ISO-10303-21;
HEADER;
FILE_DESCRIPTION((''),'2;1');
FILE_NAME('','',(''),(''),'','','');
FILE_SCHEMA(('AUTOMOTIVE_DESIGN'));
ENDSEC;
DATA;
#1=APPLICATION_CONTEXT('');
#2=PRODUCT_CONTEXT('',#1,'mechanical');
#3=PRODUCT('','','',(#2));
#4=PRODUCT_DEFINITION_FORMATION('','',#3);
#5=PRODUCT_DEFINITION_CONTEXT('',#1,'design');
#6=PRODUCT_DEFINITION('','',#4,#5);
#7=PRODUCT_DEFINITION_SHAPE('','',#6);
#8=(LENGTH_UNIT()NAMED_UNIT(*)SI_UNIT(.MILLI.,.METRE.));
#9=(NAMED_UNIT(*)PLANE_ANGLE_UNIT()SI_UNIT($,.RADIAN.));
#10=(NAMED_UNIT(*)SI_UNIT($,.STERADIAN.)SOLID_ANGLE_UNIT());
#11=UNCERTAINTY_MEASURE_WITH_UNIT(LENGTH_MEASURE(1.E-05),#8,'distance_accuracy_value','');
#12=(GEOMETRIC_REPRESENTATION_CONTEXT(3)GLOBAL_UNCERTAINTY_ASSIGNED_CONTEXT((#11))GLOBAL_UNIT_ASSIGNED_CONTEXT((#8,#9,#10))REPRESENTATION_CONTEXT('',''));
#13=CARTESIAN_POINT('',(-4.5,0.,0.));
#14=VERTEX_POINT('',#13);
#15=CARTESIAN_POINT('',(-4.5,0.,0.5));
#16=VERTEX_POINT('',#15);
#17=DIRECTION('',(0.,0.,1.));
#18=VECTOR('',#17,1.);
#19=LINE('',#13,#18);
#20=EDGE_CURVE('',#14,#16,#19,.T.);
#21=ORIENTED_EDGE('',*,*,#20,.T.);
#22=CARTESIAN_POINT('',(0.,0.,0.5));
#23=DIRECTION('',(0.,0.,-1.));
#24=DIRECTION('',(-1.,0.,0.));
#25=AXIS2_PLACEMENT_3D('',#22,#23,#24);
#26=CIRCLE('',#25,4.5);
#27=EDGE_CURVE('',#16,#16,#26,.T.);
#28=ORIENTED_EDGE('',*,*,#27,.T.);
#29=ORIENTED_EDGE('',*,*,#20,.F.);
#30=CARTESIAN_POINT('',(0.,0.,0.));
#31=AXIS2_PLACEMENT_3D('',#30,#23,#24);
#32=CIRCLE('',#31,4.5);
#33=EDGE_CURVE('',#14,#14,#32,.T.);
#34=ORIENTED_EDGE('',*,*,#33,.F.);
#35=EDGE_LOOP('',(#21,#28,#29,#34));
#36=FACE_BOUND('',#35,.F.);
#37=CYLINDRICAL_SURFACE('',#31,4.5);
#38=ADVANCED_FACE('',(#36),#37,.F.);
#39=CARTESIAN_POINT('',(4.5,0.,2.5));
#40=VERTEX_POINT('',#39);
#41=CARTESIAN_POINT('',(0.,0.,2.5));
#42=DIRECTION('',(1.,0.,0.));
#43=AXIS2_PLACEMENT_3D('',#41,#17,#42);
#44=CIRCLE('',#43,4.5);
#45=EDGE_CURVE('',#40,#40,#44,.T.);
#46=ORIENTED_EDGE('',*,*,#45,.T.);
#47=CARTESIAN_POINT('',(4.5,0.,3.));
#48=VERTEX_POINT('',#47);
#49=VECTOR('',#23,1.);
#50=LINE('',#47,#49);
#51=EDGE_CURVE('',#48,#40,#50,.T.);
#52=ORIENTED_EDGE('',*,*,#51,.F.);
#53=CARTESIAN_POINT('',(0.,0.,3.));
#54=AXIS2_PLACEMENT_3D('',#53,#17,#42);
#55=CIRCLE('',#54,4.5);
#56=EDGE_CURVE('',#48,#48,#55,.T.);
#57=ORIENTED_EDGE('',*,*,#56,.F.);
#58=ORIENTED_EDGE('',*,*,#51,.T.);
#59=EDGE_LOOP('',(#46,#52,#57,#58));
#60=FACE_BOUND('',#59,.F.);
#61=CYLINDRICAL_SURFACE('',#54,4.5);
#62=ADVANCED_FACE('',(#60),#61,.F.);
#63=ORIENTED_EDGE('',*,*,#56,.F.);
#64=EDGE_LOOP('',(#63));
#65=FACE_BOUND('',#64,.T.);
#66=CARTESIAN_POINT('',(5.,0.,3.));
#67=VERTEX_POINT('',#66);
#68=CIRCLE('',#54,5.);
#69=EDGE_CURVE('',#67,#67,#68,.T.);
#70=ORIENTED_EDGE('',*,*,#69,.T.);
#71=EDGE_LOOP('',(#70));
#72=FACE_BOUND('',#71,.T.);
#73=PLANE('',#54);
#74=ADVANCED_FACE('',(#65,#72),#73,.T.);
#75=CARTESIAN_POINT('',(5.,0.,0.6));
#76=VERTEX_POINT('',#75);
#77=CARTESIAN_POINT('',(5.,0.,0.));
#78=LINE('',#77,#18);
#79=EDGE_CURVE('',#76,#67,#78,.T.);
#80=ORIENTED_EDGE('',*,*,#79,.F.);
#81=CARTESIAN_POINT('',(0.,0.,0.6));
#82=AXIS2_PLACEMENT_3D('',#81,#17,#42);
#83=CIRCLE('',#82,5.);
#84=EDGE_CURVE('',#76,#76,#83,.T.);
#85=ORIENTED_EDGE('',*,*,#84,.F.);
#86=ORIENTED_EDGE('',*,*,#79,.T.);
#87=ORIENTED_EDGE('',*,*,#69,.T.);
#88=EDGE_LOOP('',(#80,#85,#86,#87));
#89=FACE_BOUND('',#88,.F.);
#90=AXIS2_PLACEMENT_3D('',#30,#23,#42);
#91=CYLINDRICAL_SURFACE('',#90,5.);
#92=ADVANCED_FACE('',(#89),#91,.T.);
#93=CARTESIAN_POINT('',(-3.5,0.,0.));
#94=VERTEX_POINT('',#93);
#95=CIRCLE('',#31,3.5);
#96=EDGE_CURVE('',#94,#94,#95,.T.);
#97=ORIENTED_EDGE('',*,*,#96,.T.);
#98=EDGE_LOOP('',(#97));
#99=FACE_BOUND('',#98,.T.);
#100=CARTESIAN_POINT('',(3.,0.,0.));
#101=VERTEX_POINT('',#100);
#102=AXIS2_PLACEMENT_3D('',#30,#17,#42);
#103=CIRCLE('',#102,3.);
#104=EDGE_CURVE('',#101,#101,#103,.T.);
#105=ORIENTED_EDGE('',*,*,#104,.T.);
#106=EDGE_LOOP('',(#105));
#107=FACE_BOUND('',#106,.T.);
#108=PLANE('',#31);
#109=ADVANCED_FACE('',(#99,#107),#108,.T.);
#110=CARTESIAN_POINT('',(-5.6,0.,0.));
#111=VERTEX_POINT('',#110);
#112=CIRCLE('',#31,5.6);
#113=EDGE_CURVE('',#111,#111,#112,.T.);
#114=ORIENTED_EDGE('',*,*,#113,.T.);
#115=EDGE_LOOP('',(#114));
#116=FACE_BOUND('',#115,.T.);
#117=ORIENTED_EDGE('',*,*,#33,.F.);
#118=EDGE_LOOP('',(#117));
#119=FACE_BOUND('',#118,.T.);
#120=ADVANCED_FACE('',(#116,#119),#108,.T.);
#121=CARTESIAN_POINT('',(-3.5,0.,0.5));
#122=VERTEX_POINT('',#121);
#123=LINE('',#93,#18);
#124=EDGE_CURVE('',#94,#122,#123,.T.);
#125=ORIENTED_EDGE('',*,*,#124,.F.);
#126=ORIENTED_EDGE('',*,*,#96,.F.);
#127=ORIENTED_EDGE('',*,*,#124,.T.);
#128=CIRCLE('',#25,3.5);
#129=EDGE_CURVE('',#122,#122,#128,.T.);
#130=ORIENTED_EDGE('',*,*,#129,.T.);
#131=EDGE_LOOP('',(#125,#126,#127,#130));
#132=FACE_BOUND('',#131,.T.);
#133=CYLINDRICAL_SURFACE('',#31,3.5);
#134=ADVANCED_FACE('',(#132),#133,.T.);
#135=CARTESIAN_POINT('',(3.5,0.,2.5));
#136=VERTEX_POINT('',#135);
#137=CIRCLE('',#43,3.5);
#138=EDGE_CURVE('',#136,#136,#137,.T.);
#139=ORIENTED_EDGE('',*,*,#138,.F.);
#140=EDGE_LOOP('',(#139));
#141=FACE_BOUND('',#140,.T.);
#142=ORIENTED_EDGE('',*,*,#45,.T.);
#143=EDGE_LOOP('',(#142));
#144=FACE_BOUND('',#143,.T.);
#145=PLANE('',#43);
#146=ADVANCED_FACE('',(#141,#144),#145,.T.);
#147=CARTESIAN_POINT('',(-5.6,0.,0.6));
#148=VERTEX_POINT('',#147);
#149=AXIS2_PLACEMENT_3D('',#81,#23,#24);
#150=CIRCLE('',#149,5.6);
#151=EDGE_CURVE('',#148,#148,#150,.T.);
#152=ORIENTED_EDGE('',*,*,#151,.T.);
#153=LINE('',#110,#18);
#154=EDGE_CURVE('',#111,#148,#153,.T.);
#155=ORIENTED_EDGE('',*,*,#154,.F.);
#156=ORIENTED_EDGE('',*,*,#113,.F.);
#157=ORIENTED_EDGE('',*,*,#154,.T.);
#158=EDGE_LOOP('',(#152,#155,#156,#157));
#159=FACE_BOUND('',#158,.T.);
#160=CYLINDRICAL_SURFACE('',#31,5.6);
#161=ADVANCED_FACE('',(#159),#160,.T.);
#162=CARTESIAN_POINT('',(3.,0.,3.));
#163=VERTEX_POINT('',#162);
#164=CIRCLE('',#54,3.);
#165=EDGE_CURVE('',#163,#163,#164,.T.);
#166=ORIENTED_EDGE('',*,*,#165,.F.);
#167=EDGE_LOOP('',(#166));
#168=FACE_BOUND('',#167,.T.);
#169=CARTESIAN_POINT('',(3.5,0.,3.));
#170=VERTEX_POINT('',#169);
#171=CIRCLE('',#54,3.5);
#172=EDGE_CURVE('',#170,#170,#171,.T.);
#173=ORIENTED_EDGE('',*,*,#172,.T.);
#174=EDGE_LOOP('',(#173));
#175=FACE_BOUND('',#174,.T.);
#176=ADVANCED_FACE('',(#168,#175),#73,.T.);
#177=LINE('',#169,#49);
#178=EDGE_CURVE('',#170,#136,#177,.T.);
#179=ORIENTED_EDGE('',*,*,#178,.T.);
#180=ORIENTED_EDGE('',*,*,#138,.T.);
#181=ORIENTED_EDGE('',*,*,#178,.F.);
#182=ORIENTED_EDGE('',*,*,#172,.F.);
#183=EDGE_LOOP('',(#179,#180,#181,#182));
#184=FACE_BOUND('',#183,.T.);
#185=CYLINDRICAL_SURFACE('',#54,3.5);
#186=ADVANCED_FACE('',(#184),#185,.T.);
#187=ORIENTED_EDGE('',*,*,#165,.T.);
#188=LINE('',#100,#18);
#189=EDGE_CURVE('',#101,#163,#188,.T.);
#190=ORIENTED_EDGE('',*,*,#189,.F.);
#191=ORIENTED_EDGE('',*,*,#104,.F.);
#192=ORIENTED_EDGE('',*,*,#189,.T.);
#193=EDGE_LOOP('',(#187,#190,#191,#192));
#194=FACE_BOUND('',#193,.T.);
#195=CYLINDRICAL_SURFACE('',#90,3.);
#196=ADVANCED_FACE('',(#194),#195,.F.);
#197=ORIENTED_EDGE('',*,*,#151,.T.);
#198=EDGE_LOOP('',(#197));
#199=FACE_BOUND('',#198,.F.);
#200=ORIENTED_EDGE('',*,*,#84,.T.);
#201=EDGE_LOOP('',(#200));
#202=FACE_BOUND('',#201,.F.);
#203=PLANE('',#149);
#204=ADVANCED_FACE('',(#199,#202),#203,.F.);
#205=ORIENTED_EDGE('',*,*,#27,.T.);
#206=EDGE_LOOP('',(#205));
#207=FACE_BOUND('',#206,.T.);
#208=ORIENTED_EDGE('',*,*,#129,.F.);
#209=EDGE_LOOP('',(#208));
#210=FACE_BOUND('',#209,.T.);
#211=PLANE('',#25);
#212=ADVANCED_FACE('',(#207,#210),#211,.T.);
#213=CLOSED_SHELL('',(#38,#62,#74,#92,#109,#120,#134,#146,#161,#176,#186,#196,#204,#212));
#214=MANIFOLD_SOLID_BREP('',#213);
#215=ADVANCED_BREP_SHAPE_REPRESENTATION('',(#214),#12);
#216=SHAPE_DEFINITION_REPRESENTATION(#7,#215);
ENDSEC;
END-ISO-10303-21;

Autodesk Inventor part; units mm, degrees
ref_plane "YZ Plane" through (0, 0, 0) normal (1, 0, 0) x (0, 1, 0)
ref_plane "XZ Plane" through (0, 0, 0) normal (0, 1, 0) x (-1, 0, 0)
ref_plane "XY Plane" through (0, 0, 0) normal (0, 0, 1) x (1, 0, 0)
sketch "スケッチ1" plane through (0, 0, 0) normal (0, 0, 1) x (1, 0, 0)
  circle A0 centre (0, 0) radius 3
  circle A1 centre (0, 0) radius 5
  dimension "d0" = 6
  dimension "d1" = 10
extrude "押し出し1" add sketch "スケッチ1" along normal blind 3
sketch "スケッチ2" plane through (0, 0, 0) normal (0, 0, -1) x (-1, 0, 0)
  circle A0 centre (0, 0) radius 3 projected
  circle A1 centre (0, 0) radius 5 projected
  circle A2 centre (0, 0) radius 5.6
  dimension "d4" = 11.2
extrude "押し出し2" add sketch "スケッチ2" against normal blind 0.6 contours A2
sketch "スケッチ3" plane through (0, 0, 3) normal (0, 0, 1) x (1, 0, 0)
  circle A0 centre (0, 0) radius 3 projected
  circle A1 centre (0, 0) radius 5 projected
  circle A2 centre (0, 0) radius 4.5
  circle A3 centre (0, 0) radius 3.5
  dimension "d7" = 0.5
  dimension "d8" = 0.5
extrude "押し出し3" cut sketch "スケッチ3" against normal blind 0.5 contours A2
sketch "スケッチ4" plane through (0, 0, 0) normal (0, 0, -1) x (-1, 0, 0)
  circle A0 centre (0, 0) radius 3.5 projected
  circle A1 centre (0, 0) radius 4.5 projected
extrude "押し出し4" cut sketch "スケッチ4" against normal blind 0.5
sketch "スケッチ5" plane through (0, 0, 0) normal (0, 0, -1) x (-1, 0, 0)
  point P0 (0, 0)
properties part number "ベアリングHd6-D10-B3" material "鋼、炭素鋼"
